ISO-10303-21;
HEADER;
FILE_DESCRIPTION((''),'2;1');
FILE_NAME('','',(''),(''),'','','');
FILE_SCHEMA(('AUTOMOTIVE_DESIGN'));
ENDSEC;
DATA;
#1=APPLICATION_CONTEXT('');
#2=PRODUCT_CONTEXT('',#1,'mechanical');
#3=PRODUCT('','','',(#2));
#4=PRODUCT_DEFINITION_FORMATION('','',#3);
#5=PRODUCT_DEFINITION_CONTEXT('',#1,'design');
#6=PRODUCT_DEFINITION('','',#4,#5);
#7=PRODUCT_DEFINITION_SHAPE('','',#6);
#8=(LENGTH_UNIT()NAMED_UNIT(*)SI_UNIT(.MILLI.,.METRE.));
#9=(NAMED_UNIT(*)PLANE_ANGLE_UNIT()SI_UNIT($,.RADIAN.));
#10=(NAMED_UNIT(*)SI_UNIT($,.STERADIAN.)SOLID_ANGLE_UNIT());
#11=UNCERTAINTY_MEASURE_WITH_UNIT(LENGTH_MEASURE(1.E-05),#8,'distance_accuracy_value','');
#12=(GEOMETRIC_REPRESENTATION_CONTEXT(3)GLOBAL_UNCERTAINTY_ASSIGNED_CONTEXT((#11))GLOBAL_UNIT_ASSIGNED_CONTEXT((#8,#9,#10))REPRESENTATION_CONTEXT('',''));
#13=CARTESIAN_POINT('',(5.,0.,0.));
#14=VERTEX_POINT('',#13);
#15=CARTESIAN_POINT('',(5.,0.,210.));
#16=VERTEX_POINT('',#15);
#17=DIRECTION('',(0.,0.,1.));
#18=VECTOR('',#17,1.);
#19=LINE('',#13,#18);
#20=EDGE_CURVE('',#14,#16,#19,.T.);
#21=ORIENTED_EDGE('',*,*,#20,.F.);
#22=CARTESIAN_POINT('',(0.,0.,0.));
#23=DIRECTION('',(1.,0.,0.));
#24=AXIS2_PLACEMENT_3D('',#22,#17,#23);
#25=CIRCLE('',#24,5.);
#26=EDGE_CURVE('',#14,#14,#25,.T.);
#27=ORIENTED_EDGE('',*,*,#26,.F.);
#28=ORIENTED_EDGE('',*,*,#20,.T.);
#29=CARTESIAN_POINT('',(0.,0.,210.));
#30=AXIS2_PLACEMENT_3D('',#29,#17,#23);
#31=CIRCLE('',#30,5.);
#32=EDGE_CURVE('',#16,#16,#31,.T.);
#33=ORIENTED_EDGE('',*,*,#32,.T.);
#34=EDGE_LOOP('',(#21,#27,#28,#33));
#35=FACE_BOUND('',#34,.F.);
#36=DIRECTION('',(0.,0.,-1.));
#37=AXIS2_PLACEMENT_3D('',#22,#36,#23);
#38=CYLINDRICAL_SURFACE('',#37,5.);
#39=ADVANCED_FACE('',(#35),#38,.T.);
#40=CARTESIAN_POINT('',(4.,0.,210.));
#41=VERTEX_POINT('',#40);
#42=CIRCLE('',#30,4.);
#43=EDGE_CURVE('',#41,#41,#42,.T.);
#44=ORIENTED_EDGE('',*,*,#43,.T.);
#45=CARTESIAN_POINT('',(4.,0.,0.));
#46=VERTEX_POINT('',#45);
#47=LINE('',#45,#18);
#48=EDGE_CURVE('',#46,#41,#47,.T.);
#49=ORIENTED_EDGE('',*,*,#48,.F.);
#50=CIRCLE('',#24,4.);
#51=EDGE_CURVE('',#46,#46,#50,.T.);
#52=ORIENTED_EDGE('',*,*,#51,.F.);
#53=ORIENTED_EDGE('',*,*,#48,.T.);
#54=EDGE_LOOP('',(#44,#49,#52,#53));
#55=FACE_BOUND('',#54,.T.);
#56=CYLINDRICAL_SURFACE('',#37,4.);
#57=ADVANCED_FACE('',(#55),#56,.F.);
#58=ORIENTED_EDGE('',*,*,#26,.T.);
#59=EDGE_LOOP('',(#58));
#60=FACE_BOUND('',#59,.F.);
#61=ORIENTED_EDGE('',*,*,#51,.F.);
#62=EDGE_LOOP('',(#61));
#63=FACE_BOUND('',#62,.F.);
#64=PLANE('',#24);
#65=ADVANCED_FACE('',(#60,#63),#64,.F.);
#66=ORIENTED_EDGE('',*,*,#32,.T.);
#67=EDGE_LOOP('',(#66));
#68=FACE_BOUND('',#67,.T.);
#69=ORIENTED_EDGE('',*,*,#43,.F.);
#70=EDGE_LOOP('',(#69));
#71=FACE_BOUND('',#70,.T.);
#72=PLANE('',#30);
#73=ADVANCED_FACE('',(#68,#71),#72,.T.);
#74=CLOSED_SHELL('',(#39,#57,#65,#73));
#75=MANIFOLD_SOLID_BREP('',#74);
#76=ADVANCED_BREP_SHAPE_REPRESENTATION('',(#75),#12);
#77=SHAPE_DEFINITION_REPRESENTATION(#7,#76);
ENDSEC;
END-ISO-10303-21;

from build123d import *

# Parameters (mm, degrees)
SKETCH_R   = 5
SKETCH_R_2 = 4
PAD_DEPTH  = 210


with BuildPart() as part:
    # Sketch → Pad (new body)
    with BuildSketch(Plane.XY):
        Circle(SKETCH_R)
        Circle(SKETCH_R_2, mode=Mode.SUBTRACT)
    extrude(amount=PAD_DEPTH)


solid = part.part
